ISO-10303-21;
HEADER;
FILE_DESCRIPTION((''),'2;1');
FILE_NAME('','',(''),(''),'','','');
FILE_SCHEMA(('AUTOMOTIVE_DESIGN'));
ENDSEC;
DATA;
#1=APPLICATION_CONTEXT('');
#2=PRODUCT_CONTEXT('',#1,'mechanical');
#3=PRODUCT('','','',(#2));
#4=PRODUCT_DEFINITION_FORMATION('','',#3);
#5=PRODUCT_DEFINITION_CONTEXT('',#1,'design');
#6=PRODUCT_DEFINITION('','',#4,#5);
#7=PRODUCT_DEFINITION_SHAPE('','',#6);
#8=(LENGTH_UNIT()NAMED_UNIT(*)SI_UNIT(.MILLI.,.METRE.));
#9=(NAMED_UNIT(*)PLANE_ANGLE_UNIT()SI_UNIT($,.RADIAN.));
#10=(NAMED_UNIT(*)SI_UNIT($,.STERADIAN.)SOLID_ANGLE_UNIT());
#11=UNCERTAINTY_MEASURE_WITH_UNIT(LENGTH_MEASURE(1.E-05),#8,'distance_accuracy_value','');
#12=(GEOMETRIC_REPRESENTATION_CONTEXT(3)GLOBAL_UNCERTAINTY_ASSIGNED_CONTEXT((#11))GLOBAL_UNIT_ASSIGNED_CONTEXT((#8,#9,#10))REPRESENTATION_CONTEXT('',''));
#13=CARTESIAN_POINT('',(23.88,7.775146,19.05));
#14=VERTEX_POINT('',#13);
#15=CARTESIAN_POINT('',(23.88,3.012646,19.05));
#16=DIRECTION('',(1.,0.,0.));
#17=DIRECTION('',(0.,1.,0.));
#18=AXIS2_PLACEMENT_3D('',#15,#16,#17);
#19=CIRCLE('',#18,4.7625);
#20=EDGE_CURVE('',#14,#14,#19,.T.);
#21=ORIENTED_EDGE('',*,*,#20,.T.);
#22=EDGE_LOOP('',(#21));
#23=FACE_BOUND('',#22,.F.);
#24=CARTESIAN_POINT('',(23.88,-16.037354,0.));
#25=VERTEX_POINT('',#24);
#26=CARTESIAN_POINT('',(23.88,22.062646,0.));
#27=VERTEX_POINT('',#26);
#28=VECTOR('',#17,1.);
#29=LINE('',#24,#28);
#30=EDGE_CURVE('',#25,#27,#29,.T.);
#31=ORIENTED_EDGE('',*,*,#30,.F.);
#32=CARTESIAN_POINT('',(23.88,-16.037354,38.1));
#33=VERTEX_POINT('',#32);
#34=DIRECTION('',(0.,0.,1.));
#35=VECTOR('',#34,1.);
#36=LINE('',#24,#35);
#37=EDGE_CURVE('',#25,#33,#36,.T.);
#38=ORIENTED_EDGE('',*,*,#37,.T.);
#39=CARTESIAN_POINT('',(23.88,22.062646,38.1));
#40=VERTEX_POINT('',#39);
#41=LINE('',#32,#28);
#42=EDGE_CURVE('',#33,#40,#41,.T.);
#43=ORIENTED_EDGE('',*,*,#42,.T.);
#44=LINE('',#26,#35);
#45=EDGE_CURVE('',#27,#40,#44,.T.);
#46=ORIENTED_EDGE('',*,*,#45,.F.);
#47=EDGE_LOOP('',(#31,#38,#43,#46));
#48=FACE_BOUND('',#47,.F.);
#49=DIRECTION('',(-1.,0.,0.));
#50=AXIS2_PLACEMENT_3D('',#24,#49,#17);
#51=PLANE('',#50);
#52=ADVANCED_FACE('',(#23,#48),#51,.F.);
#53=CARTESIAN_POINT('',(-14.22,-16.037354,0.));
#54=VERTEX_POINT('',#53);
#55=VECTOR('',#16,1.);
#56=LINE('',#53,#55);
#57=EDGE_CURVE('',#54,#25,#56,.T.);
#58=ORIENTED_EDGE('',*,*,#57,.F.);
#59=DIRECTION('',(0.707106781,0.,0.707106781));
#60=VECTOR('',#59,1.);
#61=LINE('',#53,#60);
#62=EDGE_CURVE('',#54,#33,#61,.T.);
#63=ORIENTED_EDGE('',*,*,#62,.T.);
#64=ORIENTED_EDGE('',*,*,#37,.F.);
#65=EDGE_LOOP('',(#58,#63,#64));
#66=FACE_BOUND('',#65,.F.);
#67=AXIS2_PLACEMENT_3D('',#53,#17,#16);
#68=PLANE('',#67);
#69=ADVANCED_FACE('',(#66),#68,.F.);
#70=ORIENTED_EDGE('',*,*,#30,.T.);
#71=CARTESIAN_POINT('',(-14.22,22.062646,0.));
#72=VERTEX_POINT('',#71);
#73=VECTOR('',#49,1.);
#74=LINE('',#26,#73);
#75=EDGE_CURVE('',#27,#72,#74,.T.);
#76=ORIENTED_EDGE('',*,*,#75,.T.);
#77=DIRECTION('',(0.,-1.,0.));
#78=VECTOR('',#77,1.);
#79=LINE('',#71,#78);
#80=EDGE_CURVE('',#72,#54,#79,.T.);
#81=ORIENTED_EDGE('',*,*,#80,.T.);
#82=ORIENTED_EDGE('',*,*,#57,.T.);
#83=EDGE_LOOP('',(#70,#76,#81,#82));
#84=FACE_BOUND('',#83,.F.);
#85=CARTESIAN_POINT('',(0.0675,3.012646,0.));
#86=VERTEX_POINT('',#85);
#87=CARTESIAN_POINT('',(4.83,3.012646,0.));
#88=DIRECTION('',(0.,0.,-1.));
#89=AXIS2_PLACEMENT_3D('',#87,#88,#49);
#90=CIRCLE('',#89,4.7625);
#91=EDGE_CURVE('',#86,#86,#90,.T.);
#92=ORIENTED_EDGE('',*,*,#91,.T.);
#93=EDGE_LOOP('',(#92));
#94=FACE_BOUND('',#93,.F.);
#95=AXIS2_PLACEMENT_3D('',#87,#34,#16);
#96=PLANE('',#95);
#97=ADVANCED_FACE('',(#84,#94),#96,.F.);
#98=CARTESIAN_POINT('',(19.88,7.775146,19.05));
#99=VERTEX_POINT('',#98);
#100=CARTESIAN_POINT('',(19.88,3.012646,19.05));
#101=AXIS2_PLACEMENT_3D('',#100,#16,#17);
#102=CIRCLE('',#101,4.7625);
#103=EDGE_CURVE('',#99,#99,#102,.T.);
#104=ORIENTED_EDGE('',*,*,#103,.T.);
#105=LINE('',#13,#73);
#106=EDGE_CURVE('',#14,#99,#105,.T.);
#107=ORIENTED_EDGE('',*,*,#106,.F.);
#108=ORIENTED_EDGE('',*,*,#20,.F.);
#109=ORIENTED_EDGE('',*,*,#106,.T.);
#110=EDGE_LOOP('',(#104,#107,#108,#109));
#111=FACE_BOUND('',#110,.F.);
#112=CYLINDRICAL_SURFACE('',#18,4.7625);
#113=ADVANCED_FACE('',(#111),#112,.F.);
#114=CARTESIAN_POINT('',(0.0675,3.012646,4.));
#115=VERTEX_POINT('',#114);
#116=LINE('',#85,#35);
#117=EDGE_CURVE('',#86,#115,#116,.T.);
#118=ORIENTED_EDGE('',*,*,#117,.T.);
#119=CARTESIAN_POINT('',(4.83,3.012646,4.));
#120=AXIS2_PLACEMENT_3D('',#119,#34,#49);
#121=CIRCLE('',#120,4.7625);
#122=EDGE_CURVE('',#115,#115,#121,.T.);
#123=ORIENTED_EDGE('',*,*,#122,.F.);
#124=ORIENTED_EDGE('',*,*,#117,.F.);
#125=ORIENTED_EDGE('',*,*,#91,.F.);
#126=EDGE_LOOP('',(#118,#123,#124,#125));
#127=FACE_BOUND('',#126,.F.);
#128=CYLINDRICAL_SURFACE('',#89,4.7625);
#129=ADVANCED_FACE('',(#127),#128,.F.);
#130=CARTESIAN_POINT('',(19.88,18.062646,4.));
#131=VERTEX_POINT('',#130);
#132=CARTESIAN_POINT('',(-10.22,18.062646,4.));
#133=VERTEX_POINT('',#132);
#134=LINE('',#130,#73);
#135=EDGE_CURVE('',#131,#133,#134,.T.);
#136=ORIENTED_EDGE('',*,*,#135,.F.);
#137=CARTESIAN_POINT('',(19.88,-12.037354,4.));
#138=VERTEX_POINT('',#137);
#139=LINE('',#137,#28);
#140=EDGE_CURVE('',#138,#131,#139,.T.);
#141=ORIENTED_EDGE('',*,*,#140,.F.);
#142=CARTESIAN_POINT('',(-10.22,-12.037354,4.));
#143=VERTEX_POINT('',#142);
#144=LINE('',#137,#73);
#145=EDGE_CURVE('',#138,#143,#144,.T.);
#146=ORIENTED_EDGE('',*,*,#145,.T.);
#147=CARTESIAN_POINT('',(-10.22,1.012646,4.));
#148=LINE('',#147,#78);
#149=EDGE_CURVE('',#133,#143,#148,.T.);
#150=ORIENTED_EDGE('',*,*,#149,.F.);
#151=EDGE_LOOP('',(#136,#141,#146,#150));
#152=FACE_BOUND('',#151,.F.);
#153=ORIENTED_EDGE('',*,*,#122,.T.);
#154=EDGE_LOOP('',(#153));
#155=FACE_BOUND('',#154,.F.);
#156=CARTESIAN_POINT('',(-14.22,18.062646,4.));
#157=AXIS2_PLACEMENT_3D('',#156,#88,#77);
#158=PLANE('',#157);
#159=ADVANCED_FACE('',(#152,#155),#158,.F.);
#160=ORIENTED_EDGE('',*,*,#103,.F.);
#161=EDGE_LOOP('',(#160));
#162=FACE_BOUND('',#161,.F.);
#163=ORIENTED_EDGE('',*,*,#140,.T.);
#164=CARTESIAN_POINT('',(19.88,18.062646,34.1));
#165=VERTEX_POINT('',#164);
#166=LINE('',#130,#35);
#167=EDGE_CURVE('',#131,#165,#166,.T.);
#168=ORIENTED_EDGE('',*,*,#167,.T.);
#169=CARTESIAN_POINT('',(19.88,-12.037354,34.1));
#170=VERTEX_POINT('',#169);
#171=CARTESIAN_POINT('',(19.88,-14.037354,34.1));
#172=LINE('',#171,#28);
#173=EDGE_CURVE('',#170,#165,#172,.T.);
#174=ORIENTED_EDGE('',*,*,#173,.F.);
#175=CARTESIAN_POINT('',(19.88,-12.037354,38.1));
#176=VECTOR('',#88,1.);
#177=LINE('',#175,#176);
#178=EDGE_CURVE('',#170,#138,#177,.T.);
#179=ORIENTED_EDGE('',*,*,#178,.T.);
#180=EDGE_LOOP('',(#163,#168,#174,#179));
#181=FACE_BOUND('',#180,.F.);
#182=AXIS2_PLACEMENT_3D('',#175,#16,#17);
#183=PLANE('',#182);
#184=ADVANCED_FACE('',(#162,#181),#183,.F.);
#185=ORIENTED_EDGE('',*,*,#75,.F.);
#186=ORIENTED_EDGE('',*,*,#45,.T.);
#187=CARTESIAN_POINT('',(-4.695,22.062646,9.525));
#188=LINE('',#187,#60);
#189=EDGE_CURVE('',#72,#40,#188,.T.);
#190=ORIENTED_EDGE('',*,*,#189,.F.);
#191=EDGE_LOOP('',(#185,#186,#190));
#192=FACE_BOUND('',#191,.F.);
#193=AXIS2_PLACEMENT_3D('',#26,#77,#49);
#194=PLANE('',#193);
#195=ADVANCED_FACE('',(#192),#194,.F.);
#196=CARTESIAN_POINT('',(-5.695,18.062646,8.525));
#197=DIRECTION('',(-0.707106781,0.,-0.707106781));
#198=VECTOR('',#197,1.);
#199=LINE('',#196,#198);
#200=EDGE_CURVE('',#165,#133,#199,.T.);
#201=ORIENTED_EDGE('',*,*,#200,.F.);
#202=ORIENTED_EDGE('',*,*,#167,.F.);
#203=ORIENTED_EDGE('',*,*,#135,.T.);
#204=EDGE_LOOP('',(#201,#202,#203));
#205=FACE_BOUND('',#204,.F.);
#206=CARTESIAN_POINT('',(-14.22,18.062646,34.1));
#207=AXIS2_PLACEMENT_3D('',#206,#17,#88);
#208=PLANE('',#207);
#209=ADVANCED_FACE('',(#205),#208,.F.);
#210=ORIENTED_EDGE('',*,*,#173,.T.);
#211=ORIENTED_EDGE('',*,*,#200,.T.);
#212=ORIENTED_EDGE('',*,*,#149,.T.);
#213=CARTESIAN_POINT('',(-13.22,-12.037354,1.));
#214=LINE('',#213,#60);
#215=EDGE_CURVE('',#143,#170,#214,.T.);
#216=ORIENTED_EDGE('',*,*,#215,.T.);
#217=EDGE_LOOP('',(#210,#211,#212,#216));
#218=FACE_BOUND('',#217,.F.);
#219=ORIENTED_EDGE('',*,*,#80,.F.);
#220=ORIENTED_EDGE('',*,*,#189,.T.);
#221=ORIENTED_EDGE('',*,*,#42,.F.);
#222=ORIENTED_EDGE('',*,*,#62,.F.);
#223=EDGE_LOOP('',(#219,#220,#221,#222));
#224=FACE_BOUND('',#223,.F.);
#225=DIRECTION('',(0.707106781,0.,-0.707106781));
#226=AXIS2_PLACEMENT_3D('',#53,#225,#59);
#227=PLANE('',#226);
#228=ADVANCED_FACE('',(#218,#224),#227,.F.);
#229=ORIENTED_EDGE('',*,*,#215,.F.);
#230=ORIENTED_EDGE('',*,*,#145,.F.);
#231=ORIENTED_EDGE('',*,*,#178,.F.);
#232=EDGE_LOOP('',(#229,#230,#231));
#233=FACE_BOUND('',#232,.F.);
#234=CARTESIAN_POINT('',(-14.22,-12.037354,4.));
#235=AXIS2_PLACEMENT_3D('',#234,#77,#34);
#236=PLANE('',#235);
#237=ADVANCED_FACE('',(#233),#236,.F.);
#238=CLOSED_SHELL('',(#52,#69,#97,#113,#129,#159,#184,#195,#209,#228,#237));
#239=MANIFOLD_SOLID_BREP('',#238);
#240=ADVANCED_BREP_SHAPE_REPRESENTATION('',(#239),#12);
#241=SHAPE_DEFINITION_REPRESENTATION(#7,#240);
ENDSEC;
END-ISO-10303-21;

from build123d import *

# Parameters (mm, degrees)
F1_DEPTH = 38.1
F3_DEPTH = 25
F5_R     = 4.7625
F6_DEPTH = 34.1
F8_DEPTH = 34.1
F9_DEPTH = 50


with BuildPart() as f1:
    # F0 (on Top) → F1 (new body)
    with BuildSketch(Plane.XY):
        Polygon((23.88, 22.062646), (-14.22, 22.062646), (-14.22, 3.012646), (-14.22, -16.037354), (23.88, -16.037354), align=None)
        with BuildLine():
            ThreePointArc((9.5925, 3.012646), (4.83, -1.749854), (0.0675, 3.012646))
            ThreePointArc((0.0675, 3.012646), (4.83, 7.775146), (9.5925, 3.012646))
        make_face(mode=Mode.SUBTRACT)
    extrude(amount=F1_DEPTH)

    # F2 (on face) → F3 (cut)
    with BuildSketch(Plane.YZ.offset(23.88)):
        with BuildLine():
            ThreePointArc((-1.749854, 19.05), (3.012646, 14.2875), (7.775146, 19.05))
            ThreePointArc((7.775146, 19.05), (3.012646, 23.8125), (-1.749854, 19.05))
        make_face()
    extrude(amount=-F3_DEPTH, mode=Mode.SUBTRACT)

    # F5 (on face) → F6 (cut)
    with BuildSketch(Plane.XY.offset(38.1)):
        Polygon((19.88, 18.062646), (4.83, 18.062646), (-10.22, 18.062646), (-10.22, 3.012646), (-10.22, -12.037354), (4.83, -12.037354), (19.88, -12.037354), (19.88, 3.012646), align=None)
        with Locations((4.83, 3.012646)):
            Circle(F5_R, mode=Mode.SUBTRACT)
    extrude(amount=-F6_DEPTH, mode=Mode.SUBTRACT)

    # F7 (on face) → F8 (cut)
    with BuildSketch(Plane(origin=(-14.22, 0, 0), x_dir=(0, -1, 0), z_dir=(-1, 0, 0))):
        Polygon((12.037354, 34.1), (-3.012646, 34.1), (-18.062646, 34.1), (-18.062646, 19.05), (-18.062646, 4), (-3.012646, 4), (12.037354, 4), (12.037354, 19.05), align=None)
    extrude(amount=-F8_DEPTH, mode=Mode.SUBTRACT)

    # F4 (on face) → F9 (cut)
    with BuildSketch(Plane.XZ.offset(16.037354)):
        Polygon((-14.22, 0), (23.88, 38.1), (-14.22, 38.1), align=None)
    extrude(amount=-F9_DEPTH, mode=Mode.SUBTRACT)


solid = f1.part
